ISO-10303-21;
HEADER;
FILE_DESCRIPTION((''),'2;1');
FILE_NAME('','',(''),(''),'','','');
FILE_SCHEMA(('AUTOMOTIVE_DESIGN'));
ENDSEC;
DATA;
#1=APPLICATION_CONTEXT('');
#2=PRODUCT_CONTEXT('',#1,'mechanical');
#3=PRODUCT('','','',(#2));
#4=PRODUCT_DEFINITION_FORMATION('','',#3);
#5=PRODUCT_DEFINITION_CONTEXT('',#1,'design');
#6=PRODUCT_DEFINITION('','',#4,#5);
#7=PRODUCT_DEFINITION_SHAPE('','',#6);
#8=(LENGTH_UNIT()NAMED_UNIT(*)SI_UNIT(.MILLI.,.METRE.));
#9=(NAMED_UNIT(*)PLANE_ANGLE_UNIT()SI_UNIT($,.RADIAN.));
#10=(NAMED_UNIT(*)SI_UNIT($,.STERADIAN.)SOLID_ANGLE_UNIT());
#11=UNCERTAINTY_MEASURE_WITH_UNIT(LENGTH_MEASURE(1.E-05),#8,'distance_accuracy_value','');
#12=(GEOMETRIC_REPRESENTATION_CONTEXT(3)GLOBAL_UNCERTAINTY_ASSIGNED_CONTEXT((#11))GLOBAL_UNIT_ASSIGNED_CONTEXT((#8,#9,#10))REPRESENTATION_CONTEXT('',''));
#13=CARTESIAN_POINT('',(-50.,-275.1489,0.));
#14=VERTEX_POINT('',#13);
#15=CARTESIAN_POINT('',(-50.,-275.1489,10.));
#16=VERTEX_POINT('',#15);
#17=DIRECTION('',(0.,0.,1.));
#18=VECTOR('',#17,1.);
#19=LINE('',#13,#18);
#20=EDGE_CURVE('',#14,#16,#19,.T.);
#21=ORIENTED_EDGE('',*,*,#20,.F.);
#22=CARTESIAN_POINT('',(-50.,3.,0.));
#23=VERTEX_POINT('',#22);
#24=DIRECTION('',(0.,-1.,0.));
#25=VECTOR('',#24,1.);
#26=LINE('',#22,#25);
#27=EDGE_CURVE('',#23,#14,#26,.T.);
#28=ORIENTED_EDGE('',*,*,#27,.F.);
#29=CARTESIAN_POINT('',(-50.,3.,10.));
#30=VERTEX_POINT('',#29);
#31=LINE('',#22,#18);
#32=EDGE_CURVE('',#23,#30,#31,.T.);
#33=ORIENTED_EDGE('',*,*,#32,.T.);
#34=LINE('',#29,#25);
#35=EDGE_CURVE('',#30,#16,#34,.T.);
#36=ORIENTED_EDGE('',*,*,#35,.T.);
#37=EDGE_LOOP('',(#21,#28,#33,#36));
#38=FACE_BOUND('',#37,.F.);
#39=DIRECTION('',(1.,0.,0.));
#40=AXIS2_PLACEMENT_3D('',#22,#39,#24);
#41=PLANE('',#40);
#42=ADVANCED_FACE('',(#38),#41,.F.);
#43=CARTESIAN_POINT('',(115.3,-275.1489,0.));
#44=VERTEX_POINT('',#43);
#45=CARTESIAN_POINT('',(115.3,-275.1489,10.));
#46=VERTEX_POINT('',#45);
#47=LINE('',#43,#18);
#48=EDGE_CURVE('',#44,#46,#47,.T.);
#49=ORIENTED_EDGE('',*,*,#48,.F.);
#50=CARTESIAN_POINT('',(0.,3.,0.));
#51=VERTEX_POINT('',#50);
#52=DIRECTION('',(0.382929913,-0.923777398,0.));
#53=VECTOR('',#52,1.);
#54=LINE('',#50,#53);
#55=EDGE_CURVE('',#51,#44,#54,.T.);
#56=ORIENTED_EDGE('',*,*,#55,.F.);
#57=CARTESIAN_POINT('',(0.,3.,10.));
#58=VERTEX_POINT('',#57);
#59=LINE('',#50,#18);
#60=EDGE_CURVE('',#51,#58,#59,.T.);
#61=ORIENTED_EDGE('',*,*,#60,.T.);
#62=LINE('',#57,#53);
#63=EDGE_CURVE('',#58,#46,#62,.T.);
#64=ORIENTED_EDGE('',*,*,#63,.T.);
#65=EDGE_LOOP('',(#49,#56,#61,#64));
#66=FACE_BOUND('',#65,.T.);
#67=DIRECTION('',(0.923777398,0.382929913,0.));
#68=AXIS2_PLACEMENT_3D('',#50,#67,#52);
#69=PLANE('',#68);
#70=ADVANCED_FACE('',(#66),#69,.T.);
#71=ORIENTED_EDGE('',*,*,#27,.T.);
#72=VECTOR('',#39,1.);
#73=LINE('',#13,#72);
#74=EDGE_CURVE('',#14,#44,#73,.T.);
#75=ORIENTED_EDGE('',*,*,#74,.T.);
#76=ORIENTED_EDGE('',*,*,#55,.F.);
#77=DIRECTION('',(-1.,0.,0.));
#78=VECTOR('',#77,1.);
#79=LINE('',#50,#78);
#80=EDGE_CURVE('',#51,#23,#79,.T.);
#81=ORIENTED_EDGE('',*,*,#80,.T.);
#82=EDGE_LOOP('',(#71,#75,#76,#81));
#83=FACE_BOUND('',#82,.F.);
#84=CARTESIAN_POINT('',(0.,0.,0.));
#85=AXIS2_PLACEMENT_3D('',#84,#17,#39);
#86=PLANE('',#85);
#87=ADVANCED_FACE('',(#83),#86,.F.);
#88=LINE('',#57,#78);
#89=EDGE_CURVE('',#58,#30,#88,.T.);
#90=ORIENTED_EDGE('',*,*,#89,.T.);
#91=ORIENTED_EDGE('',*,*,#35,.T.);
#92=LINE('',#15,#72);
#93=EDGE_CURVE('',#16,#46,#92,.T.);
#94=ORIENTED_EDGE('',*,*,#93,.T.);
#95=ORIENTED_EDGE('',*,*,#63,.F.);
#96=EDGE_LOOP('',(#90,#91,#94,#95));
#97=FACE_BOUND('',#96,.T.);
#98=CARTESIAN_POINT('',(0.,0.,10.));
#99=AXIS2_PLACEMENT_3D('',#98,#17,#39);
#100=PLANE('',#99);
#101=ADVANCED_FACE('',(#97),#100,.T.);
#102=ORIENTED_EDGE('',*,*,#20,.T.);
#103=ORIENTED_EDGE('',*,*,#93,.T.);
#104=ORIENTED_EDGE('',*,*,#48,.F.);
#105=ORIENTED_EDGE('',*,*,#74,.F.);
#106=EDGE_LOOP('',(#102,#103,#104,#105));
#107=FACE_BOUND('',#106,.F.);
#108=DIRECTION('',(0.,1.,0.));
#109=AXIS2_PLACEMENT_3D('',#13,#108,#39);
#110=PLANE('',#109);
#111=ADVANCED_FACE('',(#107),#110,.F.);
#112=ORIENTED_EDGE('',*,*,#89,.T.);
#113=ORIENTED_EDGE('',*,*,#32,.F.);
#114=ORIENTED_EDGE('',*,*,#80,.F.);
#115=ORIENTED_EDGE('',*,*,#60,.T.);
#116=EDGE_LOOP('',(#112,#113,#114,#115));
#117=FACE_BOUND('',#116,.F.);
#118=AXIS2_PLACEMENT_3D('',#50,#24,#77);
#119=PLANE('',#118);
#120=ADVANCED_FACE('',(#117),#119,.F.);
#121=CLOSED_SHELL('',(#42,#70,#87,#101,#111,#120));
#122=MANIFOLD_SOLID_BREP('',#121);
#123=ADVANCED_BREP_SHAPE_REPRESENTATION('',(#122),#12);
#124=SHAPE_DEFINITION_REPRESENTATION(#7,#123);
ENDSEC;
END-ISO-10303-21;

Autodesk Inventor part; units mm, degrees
ref_plane "YZ Plane" through (0, 0, 0) normal (1, 0, 0) x (0, 1, 0)
ref_plane "XZ Plane" through (0, 0, 0) normal (0, 1, 0) x (-1, 0, 0)
ref_plane "Work Plane1" through (0, 0, 0) normal (0, 0, 1) x (1, 0, 0)
sketch "Sketch1" plane through (0, 0, 0) normal (0, 0, 1) x (1, 0, 0)
  line L0 (-50, 3) -> (0, 3) construction
  spline S0 degree 3 poles (2.7714, 4.1486) (21.9049, -42.0198) (41.3, -88.8125) (79.5731, -181.141) (98.9279, -227.827) (118.0713, -274) knots -29.96646 -29.96646 -29.96646 -29.96646 -14.995258 -14.995258 0 0 0 0 construction
  spline S1 degree 3 poles (118.0713, -274) (117.6094, -274.1915) (117.1476, -274.383) (116.2238, -274.766) (115.7619, -274.9574) (115.3, -275.1489) knots -0.30001 -0.30001 -0.30001 -0.30001 -0.150005 -0.150005 0 0 0 0 construction
  spline S2 degree 3 poles (115.3, -275.1489) (96.1483, -228.9562) (76.787, -182.2543) (38.5123, -89.9219) (19.1268, -43.1522) (0, 3) knots -30.011396 -30.011396 -30.011396 -30.011396 -14.988387 -14.988387 -0.000837 -0.000837 -0.000837 -0.000837 construction
  spline S3 degree 3 poles (0, 3) (0.4619, 3.1914) (0.9238, 3.3829) (1.8476, 3.7657) (2.3095, 3.9571) (2.7714, 4.1486) knots -0.3 -0.3 -0.3 -0.3 -0.15 -0.15 0 0 0 0 construction
  line L1 (0, 3) -> (-50, 3)
  line L2 (-50, -275.1489) -> (115.3, -275.1489)
  line L3 (0, 3) -> (115.3, -275.1489)
  line L4 (-50, 3) -> (-50, -275.1489)
  point P0 (0, 0)
extrude "Extrusion1" add sketch "Sketch1" along normal blind 10
properties part number "internalSupportBottom3" material "Wood (Birch)"
